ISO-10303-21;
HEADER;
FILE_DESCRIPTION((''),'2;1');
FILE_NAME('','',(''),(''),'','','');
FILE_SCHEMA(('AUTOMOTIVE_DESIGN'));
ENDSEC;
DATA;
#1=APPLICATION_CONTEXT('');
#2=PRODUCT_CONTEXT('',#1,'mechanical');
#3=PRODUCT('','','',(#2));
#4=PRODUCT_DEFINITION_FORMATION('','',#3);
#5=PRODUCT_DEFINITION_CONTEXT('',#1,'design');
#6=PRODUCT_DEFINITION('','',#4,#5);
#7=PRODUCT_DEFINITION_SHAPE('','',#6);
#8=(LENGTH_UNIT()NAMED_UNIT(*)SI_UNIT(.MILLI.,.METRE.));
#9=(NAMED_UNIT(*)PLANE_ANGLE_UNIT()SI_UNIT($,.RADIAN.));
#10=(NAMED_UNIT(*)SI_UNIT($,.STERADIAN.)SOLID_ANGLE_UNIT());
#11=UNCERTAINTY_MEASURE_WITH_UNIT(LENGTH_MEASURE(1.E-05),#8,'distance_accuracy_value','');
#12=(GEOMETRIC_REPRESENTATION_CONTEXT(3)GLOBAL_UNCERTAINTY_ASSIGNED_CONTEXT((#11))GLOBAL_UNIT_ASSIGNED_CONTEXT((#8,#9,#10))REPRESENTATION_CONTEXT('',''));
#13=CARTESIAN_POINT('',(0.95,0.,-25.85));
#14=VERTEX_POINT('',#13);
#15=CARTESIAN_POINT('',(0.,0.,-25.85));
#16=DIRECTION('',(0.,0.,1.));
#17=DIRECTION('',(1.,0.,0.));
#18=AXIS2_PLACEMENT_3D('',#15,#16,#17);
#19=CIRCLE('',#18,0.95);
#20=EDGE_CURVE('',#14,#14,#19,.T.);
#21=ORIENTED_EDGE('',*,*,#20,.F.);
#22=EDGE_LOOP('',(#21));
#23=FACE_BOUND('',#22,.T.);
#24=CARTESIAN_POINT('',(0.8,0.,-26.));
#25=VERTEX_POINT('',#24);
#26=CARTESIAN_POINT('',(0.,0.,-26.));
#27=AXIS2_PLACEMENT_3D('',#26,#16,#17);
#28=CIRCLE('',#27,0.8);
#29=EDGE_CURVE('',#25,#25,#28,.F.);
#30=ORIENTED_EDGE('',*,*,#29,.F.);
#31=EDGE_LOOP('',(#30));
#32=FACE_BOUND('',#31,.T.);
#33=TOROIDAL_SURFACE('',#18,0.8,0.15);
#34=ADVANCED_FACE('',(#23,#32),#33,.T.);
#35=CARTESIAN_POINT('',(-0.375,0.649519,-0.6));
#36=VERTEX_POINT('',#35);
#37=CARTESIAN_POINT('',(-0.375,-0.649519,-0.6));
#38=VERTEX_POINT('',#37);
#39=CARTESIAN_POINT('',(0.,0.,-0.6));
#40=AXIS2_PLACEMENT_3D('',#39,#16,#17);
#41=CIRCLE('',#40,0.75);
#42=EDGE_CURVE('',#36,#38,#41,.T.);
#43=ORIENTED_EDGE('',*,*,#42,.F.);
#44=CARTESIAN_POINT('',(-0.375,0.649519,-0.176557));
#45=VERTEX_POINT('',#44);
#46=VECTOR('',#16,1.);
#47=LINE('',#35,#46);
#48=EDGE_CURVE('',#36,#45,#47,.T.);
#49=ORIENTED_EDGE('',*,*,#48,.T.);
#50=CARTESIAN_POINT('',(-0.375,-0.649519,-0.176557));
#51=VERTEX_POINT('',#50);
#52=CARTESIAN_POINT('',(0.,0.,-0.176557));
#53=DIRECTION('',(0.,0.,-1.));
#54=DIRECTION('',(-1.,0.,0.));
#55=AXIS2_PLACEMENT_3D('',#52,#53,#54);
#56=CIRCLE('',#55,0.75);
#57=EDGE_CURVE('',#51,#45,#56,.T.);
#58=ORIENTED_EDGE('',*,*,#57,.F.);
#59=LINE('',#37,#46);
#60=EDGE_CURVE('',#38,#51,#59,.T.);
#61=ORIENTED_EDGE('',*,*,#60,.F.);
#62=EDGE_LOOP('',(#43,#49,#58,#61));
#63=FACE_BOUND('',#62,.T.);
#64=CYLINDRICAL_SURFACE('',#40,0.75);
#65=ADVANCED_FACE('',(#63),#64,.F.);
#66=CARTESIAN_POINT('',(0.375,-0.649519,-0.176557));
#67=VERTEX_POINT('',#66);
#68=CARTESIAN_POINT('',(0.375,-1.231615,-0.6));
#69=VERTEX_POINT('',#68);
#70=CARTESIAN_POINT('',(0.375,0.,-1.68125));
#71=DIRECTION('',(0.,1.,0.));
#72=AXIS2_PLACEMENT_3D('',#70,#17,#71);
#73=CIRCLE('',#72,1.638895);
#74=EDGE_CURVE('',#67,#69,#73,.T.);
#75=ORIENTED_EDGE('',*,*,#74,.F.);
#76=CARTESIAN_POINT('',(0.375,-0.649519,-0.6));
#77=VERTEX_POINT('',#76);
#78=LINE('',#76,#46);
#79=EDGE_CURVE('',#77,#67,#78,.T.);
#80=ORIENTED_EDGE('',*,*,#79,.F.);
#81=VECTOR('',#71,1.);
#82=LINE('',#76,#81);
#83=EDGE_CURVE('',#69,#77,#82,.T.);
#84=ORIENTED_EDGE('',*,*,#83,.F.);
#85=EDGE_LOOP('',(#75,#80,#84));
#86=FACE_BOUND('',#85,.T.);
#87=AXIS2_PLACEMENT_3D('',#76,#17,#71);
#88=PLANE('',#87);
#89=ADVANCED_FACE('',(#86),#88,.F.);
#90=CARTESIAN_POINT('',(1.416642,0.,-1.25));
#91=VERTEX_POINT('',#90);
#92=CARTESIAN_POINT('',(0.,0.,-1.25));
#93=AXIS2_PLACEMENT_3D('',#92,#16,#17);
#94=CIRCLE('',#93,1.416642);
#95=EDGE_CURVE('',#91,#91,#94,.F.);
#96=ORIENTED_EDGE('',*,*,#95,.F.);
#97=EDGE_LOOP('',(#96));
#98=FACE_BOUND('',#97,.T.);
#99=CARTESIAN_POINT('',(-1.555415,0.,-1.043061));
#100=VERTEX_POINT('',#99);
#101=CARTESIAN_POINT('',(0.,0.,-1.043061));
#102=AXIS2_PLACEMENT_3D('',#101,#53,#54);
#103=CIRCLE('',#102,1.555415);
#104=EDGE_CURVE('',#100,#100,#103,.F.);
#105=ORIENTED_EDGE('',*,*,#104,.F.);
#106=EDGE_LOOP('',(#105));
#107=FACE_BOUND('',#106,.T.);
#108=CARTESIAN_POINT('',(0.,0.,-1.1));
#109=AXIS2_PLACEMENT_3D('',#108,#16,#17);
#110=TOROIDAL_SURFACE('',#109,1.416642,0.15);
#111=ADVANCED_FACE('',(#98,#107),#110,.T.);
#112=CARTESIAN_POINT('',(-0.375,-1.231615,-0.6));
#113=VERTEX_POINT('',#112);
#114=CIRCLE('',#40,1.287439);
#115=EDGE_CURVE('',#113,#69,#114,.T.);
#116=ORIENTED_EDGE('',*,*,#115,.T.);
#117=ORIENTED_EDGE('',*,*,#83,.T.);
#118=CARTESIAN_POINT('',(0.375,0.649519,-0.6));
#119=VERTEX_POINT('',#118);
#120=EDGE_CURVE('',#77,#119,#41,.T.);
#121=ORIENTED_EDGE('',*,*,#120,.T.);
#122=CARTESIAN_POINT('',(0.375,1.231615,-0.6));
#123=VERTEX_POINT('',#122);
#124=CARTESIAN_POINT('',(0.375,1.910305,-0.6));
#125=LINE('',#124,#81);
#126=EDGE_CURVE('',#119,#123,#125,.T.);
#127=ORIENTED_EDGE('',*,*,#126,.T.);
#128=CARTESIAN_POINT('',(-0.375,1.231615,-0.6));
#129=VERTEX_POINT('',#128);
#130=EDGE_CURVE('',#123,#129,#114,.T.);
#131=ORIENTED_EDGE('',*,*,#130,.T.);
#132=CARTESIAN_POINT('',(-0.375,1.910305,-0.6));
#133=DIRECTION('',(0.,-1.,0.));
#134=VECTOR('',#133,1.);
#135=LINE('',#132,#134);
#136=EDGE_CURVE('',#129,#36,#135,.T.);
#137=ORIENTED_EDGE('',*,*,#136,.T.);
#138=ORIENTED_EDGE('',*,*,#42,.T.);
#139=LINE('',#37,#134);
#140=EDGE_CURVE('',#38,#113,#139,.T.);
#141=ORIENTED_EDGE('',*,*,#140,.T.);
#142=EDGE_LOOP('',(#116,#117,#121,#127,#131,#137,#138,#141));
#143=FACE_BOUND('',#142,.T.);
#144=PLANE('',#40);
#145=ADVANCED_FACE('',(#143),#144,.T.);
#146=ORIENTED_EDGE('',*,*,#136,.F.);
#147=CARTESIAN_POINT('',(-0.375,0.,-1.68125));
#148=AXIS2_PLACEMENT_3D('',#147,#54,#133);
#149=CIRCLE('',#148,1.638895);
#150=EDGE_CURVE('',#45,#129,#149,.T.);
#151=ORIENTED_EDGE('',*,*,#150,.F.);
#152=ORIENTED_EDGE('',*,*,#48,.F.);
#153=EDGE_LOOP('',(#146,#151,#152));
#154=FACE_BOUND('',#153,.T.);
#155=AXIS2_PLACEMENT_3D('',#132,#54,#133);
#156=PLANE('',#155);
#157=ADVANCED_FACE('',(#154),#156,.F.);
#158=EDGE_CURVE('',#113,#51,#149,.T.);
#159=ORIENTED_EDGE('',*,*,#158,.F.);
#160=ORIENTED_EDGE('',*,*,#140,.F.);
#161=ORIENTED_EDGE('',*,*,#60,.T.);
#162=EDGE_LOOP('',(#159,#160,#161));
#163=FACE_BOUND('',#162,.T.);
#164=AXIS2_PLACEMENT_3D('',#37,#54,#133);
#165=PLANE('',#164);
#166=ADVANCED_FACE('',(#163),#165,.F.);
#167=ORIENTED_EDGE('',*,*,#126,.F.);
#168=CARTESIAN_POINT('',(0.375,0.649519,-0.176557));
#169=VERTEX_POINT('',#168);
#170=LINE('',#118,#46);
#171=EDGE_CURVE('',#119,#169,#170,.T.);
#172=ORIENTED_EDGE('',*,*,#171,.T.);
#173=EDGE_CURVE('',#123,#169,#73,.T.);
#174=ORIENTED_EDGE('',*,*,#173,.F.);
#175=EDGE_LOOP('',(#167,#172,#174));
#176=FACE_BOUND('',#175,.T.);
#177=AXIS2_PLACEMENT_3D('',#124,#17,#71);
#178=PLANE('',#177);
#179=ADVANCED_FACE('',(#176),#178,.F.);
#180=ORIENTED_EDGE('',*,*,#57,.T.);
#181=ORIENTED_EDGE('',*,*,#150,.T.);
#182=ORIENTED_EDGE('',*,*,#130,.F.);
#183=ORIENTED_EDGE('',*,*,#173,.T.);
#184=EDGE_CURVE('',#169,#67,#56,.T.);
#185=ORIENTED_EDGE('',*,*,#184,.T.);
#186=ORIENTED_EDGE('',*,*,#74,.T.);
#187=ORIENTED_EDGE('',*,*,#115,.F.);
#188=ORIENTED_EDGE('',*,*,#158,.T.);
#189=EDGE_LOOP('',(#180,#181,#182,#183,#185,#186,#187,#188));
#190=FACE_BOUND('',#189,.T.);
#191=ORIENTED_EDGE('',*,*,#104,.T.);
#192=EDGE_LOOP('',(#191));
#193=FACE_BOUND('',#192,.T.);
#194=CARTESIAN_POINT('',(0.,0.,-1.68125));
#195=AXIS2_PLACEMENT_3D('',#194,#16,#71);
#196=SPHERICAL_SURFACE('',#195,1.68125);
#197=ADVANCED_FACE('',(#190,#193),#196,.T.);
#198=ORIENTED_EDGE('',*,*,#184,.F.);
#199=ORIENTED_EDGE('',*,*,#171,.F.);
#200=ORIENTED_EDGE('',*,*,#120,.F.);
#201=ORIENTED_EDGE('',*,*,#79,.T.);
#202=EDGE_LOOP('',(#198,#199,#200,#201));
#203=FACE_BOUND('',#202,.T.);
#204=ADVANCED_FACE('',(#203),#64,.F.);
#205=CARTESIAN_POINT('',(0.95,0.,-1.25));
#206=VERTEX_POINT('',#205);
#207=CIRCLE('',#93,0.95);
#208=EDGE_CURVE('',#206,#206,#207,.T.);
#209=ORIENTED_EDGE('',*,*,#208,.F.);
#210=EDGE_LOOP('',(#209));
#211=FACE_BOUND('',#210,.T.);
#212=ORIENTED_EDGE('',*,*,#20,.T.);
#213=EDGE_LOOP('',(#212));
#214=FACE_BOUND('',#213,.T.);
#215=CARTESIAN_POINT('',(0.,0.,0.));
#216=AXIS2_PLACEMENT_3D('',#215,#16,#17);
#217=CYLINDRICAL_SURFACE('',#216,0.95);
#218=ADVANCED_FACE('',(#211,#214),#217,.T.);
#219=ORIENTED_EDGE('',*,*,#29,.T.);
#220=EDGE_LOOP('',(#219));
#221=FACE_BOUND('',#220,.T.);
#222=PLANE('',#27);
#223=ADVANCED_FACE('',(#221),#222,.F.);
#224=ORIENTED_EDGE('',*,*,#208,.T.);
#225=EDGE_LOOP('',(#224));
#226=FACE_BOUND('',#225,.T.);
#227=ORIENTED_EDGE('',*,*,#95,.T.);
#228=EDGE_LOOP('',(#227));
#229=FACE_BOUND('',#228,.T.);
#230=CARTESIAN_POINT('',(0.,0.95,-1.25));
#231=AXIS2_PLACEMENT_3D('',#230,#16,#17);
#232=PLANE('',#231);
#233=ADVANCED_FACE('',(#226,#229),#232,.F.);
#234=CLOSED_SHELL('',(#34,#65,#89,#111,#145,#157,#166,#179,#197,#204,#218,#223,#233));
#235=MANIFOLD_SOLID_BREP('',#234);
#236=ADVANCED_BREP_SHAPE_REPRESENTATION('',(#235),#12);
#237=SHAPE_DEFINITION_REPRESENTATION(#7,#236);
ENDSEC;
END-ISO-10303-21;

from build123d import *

# Parameters (mm, degrees)
CUT_EXTRUDE1_DEPTH = 0.6
FILLET1_R          = 0.15


with BuildPart() as part:
    # Sketch1 → Revolve1 (revolve)
    with BuildSketch(Plane(origin=(0, 0, 0), x_dir=(0, 0, -1), z_dir=(1, 0, 0))):
        with BuildLine():
            Line((0, 0), (26, 0))
            Line((26, 0), (26, 0.95))
            Line((26, 0.95), (1.25, 0.95))
            Line((1.25, 0.95), (1.25, 1.625))
            ThreePointArc((1.25, 1.625), (0.348650918, 1.025076217), (0, 0))
        make_face()
    revolve(axis=Axis((0, 0, 0), (0, 0, -1)))

    # Sketch2 → Cut-Extrude1 (cut)
    with BuildSketch(Plane.XY):
        with BuildLine():
            Line((0.375, -0.649519053), (0.375, -1.910304893))
            Line((0.375, -1.910304893), (-0.375, -1.910304893))
            Line((-0.375, -1.910304893), (-0.375, -0.649519053))
            ThreePointArc((-0.375, -0.649519053), (-0.75, 0), (-0.375, 0.649519053))
            Line((-0.375, 0.649519053), (-0.375, 1.910304893))
            Line((-0.375, 1.910304893), (0.375, 1.910304893))
            Line((0.375, 1.910304893), (0.375, 0.649519053))
            ThreePointArc((0.375, 0.649519053), (0.75, 0), (0.375, -0.649519053))
        make_face()
    extrude(amount=-CUT_EXTRUDE1_DEPTH, mode=Mode.SUBTRACT)

    # Fillet1
    fillet1_edges = [part.edges().sort_by_distance(p)[0] for p in [
        (0, -1.625, -1.25),
        (0, -0.95, -26),
    ]]
    fillet(fillet1_edges, radius=FILLET1_R)


solid = part.part
